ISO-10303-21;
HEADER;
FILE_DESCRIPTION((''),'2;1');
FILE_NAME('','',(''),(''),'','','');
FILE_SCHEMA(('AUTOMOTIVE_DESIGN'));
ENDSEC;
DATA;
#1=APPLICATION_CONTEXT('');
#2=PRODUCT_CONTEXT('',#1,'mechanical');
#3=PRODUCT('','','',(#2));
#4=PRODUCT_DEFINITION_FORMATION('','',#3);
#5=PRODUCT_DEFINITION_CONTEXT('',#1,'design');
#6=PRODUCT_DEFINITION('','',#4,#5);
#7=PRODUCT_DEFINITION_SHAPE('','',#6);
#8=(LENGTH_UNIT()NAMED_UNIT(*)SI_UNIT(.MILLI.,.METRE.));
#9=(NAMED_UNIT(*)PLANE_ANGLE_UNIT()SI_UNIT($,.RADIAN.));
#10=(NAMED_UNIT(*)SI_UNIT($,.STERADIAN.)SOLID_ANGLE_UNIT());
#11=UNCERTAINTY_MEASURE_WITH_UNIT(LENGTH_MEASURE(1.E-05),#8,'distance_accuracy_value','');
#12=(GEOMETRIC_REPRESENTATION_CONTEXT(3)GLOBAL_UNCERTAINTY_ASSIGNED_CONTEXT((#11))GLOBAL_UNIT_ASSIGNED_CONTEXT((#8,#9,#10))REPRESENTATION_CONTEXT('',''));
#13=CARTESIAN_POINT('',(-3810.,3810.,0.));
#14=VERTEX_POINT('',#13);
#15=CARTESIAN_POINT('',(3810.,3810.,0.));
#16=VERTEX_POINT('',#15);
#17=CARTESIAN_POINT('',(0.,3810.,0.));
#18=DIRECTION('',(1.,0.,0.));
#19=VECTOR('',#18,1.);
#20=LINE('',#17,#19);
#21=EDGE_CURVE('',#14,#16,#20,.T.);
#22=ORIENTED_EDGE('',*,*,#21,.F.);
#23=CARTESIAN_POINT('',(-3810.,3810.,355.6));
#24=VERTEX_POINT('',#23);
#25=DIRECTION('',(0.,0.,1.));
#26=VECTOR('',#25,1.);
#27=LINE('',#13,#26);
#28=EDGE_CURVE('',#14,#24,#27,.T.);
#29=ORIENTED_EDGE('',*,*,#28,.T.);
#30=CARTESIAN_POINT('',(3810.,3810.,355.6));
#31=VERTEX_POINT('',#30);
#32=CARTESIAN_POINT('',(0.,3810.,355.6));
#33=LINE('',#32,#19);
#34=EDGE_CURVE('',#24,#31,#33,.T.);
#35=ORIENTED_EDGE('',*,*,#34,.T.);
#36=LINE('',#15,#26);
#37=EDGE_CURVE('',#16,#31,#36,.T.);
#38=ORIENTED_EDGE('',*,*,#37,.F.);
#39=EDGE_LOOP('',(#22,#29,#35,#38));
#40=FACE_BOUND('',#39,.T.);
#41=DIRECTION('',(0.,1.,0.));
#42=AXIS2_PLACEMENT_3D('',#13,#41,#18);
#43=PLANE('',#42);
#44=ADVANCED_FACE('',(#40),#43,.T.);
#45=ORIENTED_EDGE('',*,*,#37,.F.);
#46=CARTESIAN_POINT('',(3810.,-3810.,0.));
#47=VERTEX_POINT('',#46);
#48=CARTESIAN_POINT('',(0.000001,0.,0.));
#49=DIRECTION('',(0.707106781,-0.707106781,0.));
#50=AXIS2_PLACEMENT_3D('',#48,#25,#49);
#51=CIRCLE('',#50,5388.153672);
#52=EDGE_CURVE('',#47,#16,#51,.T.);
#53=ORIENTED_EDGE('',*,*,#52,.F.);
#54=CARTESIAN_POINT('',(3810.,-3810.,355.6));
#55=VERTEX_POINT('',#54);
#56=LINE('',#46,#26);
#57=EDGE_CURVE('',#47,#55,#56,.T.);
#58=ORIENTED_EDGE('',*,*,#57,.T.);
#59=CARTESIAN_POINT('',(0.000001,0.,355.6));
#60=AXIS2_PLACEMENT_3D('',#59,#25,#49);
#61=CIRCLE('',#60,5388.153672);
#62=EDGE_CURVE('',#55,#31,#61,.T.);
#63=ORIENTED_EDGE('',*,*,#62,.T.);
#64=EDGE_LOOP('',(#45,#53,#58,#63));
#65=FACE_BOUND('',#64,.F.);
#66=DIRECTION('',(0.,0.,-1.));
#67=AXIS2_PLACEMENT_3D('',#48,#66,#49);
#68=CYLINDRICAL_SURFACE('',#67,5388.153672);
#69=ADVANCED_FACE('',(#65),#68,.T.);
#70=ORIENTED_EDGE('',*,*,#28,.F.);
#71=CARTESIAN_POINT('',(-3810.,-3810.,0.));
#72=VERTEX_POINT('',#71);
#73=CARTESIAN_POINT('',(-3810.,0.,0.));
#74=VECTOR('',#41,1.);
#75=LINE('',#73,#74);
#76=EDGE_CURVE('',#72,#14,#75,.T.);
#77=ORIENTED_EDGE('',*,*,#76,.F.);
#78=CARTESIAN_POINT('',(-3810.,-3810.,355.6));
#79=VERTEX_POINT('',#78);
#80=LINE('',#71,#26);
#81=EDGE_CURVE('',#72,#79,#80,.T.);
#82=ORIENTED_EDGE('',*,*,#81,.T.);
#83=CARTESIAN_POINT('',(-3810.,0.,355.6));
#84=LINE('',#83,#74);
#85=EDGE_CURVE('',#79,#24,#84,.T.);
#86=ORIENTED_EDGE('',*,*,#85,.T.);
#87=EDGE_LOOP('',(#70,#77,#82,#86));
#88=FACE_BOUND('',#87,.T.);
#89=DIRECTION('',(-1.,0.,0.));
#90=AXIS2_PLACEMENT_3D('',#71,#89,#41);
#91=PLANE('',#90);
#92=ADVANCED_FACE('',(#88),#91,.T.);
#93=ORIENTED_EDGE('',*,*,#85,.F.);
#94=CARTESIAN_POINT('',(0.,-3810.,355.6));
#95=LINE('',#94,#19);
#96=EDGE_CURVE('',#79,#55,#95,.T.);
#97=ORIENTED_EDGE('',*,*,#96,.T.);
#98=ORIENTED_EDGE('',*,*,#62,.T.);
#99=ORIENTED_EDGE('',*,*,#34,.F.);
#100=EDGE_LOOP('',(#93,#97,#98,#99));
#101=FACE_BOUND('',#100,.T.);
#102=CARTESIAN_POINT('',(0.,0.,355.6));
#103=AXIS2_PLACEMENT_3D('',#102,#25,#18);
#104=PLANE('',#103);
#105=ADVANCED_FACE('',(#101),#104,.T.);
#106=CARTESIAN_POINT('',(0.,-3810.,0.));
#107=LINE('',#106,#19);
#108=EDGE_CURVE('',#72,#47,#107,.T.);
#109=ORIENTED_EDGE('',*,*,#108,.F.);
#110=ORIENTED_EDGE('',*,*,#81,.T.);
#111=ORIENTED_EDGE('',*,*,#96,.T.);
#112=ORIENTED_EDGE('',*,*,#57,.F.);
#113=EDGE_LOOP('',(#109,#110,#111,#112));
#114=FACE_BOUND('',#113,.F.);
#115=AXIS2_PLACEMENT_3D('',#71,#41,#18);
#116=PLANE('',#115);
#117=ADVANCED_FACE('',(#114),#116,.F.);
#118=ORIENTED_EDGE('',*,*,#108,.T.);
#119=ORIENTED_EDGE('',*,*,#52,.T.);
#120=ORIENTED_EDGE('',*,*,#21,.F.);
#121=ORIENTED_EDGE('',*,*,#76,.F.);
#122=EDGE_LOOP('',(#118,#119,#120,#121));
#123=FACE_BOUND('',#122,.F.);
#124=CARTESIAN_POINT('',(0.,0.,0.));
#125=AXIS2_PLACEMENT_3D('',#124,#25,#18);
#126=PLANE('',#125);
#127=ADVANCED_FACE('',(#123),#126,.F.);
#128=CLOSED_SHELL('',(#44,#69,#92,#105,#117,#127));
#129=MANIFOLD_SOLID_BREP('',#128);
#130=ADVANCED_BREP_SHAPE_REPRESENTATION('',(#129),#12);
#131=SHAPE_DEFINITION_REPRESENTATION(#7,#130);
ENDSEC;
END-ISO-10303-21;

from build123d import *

# Parameters (mm, degrees)
F0_W     = 7620
F0_H     = 7620
F1_DEPTH = 355.6


with BuildPart() as f1:
    # F0 (on Top) → F1 (new body)
    with BuildSketch(Plane.XY):
        Rectangle(F0_W, F0_H)
        with BuildLine():
            ThreePointArc((3810, -3810), (5388.153673, 0), (3810, 3810))
            Line((3810, 3810), (3810, -3810))
        make_face()
    extrude(amount=F1_DEPTH)


solid = f1.part
